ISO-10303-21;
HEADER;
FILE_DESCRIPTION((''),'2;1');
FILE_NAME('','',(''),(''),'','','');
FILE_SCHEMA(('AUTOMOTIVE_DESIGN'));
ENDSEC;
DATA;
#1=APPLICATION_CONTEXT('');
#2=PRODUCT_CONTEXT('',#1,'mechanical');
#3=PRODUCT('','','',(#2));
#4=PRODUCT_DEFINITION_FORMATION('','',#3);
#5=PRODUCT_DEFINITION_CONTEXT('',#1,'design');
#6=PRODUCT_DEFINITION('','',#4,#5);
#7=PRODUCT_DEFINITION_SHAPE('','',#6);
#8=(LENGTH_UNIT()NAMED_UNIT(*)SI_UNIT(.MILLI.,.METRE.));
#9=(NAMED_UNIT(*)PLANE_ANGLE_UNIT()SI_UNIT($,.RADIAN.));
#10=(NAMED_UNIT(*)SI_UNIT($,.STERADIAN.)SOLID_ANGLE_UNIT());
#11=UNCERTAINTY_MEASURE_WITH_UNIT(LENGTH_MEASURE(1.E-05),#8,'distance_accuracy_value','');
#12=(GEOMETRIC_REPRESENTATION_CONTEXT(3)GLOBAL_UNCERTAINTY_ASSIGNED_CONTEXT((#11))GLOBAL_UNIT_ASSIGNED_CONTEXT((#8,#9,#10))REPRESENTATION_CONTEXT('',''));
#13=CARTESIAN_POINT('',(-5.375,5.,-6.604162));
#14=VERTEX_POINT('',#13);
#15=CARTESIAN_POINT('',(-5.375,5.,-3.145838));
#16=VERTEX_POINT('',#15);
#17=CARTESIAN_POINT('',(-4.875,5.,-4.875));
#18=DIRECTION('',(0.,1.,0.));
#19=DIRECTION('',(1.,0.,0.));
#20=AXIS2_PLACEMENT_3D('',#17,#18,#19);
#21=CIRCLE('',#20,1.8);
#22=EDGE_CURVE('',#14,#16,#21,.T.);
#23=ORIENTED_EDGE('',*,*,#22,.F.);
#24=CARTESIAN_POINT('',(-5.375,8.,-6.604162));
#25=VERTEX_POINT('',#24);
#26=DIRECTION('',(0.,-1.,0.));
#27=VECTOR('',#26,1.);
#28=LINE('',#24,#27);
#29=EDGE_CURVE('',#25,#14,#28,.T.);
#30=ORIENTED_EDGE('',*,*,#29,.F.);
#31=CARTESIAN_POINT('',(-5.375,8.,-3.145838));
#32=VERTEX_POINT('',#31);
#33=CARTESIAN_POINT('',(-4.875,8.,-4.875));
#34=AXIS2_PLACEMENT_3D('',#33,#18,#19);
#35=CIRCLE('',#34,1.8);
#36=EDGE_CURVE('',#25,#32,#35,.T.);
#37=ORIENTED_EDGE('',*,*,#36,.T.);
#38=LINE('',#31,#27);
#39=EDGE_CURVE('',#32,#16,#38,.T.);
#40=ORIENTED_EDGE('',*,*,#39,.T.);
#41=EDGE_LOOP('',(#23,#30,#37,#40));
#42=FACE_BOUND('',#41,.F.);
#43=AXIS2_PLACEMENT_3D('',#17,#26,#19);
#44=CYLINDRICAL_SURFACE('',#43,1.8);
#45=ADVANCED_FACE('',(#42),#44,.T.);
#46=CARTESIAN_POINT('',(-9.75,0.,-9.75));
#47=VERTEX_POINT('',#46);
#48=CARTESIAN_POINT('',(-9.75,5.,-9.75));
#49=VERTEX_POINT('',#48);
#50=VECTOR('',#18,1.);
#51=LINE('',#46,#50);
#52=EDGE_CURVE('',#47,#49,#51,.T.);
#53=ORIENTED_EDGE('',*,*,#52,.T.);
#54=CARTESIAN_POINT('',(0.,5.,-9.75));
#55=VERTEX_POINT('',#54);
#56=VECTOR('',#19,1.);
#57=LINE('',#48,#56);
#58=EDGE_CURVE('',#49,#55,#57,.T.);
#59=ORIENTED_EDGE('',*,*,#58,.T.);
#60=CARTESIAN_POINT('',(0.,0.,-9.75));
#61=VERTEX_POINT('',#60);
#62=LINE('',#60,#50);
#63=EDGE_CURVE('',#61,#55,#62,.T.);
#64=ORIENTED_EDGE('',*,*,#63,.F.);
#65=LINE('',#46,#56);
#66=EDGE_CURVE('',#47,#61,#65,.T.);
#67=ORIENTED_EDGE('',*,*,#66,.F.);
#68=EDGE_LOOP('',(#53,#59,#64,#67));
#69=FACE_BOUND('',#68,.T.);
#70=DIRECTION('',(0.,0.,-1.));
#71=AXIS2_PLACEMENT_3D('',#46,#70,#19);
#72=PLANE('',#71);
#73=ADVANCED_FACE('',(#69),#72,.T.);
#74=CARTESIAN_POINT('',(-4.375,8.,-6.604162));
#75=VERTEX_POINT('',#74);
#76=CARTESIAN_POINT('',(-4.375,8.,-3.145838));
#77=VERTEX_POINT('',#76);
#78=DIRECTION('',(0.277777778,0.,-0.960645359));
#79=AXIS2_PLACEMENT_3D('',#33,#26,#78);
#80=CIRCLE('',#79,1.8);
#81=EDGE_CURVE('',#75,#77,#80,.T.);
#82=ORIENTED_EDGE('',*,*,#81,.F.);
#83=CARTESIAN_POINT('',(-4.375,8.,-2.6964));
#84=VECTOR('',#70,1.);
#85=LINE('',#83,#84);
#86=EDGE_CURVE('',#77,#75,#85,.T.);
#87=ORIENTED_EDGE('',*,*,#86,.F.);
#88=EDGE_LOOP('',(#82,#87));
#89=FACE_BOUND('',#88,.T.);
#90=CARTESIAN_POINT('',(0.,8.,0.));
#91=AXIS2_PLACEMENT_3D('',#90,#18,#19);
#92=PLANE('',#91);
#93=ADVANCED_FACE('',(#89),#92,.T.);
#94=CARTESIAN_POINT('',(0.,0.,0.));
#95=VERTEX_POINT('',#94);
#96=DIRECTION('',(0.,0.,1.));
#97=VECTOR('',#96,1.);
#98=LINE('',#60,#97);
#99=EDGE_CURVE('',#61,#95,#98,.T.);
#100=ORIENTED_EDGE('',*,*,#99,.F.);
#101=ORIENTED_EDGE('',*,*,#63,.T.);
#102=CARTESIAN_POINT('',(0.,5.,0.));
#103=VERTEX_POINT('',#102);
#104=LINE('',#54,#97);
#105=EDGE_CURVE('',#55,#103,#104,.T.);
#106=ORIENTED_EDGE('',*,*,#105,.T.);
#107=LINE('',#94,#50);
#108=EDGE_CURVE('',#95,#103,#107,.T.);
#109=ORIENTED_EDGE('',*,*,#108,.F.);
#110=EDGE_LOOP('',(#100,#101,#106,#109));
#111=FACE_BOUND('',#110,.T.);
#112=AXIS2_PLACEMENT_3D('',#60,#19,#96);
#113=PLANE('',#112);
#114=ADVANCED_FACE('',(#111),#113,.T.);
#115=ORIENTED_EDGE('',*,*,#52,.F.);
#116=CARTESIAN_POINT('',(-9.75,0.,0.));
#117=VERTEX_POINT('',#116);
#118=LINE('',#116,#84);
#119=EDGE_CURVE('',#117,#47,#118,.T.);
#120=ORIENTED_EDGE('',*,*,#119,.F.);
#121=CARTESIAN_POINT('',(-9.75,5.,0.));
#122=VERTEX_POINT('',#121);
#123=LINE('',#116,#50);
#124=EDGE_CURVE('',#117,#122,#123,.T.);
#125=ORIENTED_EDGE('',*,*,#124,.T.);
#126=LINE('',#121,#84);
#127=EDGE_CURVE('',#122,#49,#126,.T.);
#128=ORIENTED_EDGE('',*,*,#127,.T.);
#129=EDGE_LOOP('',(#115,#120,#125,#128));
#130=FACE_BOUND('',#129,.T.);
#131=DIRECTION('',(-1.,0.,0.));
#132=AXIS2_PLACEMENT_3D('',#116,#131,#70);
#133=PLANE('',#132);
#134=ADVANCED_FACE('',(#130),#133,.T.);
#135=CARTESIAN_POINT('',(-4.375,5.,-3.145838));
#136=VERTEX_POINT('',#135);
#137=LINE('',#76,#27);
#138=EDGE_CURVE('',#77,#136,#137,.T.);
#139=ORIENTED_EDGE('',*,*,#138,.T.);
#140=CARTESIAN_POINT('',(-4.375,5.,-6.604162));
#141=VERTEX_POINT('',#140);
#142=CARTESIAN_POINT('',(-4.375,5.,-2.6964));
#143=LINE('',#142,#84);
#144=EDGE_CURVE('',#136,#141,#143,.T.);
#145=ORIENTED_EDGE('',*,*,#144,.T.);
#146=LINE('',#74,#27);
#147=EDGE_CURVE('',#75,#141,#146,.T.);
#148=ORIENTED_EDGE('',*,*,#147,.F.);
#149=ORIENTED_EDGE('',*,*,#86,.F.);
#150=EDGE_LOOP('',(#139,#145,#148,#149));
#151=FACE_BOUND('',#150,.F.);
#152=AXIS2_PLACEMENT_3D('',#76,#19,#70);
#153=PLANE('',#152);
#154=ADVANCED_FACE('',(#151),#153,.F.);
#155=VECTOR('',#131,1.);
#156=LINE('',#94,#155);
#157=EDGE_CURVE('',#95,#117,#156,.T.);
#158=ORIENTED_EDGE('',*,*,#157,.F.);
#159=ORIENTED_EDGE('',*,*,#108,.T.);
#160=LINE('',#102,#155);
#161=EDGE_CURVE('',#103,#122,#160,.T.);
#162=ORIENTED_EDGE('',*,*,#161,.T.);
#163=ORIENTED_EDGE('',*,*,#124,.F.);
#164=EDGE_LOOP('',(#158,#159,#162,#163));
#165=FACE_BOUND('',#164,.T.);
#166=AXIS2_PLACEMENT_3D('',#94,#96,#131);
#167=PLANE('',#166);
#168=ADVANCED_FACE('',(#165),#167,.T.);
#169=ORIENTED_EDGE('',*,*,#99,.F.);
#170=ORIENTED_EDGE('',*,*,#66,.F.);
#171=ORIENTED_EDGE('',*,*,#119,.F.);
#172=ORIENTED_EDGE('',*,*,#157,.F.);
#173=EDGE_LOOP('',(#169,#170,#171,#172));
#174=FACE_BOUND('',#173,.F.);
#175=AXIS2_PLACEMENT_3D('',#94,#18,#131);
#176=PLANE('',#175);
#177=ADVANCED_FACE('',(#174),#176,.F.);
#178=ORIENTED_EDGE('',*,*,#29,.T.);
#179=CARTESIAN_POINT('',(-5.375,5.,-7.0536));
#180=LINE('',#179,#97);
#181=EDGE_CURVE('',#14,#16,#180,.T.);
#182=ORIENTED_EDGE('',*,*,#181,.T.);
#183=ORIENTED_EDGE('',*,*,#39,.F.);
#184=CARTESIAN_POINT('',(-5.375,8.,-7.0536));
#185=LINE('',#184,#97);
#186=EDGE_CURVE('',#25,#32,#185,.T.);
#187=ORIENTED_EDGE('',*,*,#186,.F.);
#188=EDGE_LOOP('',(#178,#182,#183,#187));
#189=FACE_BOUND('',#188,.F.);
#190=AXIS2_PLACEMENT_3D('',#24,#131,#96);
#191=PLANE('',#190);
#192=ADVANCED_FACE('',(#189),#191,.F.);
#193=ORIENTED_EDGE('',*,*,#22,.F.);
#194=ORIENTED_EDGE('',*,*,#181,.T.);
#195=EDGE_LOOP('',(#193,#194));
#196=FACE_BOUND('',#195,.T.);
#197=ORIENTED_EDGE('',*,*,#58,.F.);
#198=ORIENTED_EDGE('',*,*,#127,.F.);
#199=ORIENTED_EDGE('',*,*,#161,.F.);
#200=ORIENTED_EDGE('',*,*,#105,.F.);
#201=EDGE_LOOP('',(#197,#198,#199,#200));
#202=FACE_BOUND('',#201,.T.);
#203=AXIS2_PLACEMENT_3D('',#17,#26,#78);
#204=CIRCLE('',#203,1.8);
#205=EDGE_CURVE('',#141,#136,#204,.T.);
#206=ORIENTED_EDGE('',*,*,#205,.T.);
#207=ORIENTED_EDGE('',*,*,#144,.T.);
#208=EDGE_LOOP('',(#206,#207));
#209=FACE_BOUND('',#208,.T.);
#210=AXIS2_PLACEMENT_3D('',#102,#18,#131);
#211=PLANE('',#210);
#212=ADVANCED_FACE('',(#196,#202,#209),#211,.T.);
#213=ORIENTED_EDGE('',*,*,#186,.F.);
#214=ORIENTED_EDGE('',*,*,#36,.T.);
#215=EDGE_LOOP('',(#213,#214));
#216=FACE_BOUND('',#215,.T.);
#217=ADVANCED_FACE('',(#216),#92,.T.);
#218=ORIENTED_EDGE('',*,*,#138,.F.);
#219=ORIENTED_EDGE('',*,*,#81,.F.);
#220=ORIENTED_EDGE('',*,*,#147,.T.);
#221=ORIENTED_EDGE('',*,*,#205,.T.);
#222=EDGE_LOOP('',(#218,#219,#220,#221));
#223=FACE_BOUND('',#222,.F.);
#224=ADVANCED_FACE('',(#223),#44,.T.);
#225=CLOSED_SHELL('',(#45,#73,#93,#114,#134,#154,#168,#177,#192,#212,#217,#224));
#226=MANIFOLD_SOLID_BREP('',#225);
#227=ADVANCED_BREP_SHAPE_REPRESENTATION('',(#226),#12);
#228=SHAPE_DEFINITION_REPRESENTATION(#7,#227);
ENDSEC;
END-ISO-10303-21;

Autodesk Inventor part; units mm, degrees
ref_plane "YZ Plane" through (0, 0, 0) normal (1, 0, 0) x (0, 1, 0)
ref_plane "XZ Plane" through (0, 0, 0) normal (0, 1, 0) x (-1, 0, 0)
ref_plane "XY Plane" through (0, 0, 0) normal (0, 0, 1) x (1, 0, 0)
sketch "Sketch1" plane through (0, 0, 0) normal (0, 1, 0) x (-1, 0, 0)
  line L0 (0, 0) -> (9.75, 0)
  line L1 (9.75, 0) -> (9.75, -9.75)
  line L2 (9.75, -9.75) -> (0, -9.75)
  line L3 (0, -9.75) -> (0, 0)
  dimension "d0" = 9.75
  dimension "d1" = 9.75
extrude "Extrusion1" add sketch "Sketch1" along normal blind 5
sketch "Sketch2" plane through (0, 5, 0) normal (0, 1, 0) x (1, 0, 0)
  line L0 (0, 9.75) -> (-9.75, 9.75) projected
  line L1 (-9.75, 9.75) -> (-9.75, 0) projected
  line L2 (-9.75, 0) -> (0, 0) projected
  line L3 (0, 0) -> (0, 9.75) projected
  circle A0 centre (-4.875, 4.875) radius 1.8
  dimension "d4" = 3.6
extrude "Extrusion2" add sketch "Sketch2" along normal blind 3 contours A0
sketch "Sketch3" plane through (-4.875, 8, -4.875) normal (0, 1, 0) x (1, 0, 0)
  circle A0 centre (0, 0) radius 1.8 projected
  line L0 (-0.5, -2.1786) -> (0.5, -2.1786)
  line L1 (0.5, -2.1786) -> (0.5, 2.1786)
  line L2 (0.5, 2.1786) -> (-0.5, 2.1786)
  line L3 (-0.5, 2.1786) -> (-0.5, -2.1786)
  line L4 (-0.5, -2.1786) -> (0.5, 2.1786) construction
  line L5 (0.5, -2.1786) -> (-0.5, 2.1786) construction
  point P0 (4.875, -4.875)
  point P1 (-0.5, 1.7292)
  point P2 (-0.5, -1.7292)
  point P3 (0.5, -1.7292)
  point P4 (0.5, 1.7292)
  dimension "d7" = 1
extrude "Extrusion3" cut sketch "Sketch3" against normal blind 3 contours L1 A0 L3
properties part number "Pot"
